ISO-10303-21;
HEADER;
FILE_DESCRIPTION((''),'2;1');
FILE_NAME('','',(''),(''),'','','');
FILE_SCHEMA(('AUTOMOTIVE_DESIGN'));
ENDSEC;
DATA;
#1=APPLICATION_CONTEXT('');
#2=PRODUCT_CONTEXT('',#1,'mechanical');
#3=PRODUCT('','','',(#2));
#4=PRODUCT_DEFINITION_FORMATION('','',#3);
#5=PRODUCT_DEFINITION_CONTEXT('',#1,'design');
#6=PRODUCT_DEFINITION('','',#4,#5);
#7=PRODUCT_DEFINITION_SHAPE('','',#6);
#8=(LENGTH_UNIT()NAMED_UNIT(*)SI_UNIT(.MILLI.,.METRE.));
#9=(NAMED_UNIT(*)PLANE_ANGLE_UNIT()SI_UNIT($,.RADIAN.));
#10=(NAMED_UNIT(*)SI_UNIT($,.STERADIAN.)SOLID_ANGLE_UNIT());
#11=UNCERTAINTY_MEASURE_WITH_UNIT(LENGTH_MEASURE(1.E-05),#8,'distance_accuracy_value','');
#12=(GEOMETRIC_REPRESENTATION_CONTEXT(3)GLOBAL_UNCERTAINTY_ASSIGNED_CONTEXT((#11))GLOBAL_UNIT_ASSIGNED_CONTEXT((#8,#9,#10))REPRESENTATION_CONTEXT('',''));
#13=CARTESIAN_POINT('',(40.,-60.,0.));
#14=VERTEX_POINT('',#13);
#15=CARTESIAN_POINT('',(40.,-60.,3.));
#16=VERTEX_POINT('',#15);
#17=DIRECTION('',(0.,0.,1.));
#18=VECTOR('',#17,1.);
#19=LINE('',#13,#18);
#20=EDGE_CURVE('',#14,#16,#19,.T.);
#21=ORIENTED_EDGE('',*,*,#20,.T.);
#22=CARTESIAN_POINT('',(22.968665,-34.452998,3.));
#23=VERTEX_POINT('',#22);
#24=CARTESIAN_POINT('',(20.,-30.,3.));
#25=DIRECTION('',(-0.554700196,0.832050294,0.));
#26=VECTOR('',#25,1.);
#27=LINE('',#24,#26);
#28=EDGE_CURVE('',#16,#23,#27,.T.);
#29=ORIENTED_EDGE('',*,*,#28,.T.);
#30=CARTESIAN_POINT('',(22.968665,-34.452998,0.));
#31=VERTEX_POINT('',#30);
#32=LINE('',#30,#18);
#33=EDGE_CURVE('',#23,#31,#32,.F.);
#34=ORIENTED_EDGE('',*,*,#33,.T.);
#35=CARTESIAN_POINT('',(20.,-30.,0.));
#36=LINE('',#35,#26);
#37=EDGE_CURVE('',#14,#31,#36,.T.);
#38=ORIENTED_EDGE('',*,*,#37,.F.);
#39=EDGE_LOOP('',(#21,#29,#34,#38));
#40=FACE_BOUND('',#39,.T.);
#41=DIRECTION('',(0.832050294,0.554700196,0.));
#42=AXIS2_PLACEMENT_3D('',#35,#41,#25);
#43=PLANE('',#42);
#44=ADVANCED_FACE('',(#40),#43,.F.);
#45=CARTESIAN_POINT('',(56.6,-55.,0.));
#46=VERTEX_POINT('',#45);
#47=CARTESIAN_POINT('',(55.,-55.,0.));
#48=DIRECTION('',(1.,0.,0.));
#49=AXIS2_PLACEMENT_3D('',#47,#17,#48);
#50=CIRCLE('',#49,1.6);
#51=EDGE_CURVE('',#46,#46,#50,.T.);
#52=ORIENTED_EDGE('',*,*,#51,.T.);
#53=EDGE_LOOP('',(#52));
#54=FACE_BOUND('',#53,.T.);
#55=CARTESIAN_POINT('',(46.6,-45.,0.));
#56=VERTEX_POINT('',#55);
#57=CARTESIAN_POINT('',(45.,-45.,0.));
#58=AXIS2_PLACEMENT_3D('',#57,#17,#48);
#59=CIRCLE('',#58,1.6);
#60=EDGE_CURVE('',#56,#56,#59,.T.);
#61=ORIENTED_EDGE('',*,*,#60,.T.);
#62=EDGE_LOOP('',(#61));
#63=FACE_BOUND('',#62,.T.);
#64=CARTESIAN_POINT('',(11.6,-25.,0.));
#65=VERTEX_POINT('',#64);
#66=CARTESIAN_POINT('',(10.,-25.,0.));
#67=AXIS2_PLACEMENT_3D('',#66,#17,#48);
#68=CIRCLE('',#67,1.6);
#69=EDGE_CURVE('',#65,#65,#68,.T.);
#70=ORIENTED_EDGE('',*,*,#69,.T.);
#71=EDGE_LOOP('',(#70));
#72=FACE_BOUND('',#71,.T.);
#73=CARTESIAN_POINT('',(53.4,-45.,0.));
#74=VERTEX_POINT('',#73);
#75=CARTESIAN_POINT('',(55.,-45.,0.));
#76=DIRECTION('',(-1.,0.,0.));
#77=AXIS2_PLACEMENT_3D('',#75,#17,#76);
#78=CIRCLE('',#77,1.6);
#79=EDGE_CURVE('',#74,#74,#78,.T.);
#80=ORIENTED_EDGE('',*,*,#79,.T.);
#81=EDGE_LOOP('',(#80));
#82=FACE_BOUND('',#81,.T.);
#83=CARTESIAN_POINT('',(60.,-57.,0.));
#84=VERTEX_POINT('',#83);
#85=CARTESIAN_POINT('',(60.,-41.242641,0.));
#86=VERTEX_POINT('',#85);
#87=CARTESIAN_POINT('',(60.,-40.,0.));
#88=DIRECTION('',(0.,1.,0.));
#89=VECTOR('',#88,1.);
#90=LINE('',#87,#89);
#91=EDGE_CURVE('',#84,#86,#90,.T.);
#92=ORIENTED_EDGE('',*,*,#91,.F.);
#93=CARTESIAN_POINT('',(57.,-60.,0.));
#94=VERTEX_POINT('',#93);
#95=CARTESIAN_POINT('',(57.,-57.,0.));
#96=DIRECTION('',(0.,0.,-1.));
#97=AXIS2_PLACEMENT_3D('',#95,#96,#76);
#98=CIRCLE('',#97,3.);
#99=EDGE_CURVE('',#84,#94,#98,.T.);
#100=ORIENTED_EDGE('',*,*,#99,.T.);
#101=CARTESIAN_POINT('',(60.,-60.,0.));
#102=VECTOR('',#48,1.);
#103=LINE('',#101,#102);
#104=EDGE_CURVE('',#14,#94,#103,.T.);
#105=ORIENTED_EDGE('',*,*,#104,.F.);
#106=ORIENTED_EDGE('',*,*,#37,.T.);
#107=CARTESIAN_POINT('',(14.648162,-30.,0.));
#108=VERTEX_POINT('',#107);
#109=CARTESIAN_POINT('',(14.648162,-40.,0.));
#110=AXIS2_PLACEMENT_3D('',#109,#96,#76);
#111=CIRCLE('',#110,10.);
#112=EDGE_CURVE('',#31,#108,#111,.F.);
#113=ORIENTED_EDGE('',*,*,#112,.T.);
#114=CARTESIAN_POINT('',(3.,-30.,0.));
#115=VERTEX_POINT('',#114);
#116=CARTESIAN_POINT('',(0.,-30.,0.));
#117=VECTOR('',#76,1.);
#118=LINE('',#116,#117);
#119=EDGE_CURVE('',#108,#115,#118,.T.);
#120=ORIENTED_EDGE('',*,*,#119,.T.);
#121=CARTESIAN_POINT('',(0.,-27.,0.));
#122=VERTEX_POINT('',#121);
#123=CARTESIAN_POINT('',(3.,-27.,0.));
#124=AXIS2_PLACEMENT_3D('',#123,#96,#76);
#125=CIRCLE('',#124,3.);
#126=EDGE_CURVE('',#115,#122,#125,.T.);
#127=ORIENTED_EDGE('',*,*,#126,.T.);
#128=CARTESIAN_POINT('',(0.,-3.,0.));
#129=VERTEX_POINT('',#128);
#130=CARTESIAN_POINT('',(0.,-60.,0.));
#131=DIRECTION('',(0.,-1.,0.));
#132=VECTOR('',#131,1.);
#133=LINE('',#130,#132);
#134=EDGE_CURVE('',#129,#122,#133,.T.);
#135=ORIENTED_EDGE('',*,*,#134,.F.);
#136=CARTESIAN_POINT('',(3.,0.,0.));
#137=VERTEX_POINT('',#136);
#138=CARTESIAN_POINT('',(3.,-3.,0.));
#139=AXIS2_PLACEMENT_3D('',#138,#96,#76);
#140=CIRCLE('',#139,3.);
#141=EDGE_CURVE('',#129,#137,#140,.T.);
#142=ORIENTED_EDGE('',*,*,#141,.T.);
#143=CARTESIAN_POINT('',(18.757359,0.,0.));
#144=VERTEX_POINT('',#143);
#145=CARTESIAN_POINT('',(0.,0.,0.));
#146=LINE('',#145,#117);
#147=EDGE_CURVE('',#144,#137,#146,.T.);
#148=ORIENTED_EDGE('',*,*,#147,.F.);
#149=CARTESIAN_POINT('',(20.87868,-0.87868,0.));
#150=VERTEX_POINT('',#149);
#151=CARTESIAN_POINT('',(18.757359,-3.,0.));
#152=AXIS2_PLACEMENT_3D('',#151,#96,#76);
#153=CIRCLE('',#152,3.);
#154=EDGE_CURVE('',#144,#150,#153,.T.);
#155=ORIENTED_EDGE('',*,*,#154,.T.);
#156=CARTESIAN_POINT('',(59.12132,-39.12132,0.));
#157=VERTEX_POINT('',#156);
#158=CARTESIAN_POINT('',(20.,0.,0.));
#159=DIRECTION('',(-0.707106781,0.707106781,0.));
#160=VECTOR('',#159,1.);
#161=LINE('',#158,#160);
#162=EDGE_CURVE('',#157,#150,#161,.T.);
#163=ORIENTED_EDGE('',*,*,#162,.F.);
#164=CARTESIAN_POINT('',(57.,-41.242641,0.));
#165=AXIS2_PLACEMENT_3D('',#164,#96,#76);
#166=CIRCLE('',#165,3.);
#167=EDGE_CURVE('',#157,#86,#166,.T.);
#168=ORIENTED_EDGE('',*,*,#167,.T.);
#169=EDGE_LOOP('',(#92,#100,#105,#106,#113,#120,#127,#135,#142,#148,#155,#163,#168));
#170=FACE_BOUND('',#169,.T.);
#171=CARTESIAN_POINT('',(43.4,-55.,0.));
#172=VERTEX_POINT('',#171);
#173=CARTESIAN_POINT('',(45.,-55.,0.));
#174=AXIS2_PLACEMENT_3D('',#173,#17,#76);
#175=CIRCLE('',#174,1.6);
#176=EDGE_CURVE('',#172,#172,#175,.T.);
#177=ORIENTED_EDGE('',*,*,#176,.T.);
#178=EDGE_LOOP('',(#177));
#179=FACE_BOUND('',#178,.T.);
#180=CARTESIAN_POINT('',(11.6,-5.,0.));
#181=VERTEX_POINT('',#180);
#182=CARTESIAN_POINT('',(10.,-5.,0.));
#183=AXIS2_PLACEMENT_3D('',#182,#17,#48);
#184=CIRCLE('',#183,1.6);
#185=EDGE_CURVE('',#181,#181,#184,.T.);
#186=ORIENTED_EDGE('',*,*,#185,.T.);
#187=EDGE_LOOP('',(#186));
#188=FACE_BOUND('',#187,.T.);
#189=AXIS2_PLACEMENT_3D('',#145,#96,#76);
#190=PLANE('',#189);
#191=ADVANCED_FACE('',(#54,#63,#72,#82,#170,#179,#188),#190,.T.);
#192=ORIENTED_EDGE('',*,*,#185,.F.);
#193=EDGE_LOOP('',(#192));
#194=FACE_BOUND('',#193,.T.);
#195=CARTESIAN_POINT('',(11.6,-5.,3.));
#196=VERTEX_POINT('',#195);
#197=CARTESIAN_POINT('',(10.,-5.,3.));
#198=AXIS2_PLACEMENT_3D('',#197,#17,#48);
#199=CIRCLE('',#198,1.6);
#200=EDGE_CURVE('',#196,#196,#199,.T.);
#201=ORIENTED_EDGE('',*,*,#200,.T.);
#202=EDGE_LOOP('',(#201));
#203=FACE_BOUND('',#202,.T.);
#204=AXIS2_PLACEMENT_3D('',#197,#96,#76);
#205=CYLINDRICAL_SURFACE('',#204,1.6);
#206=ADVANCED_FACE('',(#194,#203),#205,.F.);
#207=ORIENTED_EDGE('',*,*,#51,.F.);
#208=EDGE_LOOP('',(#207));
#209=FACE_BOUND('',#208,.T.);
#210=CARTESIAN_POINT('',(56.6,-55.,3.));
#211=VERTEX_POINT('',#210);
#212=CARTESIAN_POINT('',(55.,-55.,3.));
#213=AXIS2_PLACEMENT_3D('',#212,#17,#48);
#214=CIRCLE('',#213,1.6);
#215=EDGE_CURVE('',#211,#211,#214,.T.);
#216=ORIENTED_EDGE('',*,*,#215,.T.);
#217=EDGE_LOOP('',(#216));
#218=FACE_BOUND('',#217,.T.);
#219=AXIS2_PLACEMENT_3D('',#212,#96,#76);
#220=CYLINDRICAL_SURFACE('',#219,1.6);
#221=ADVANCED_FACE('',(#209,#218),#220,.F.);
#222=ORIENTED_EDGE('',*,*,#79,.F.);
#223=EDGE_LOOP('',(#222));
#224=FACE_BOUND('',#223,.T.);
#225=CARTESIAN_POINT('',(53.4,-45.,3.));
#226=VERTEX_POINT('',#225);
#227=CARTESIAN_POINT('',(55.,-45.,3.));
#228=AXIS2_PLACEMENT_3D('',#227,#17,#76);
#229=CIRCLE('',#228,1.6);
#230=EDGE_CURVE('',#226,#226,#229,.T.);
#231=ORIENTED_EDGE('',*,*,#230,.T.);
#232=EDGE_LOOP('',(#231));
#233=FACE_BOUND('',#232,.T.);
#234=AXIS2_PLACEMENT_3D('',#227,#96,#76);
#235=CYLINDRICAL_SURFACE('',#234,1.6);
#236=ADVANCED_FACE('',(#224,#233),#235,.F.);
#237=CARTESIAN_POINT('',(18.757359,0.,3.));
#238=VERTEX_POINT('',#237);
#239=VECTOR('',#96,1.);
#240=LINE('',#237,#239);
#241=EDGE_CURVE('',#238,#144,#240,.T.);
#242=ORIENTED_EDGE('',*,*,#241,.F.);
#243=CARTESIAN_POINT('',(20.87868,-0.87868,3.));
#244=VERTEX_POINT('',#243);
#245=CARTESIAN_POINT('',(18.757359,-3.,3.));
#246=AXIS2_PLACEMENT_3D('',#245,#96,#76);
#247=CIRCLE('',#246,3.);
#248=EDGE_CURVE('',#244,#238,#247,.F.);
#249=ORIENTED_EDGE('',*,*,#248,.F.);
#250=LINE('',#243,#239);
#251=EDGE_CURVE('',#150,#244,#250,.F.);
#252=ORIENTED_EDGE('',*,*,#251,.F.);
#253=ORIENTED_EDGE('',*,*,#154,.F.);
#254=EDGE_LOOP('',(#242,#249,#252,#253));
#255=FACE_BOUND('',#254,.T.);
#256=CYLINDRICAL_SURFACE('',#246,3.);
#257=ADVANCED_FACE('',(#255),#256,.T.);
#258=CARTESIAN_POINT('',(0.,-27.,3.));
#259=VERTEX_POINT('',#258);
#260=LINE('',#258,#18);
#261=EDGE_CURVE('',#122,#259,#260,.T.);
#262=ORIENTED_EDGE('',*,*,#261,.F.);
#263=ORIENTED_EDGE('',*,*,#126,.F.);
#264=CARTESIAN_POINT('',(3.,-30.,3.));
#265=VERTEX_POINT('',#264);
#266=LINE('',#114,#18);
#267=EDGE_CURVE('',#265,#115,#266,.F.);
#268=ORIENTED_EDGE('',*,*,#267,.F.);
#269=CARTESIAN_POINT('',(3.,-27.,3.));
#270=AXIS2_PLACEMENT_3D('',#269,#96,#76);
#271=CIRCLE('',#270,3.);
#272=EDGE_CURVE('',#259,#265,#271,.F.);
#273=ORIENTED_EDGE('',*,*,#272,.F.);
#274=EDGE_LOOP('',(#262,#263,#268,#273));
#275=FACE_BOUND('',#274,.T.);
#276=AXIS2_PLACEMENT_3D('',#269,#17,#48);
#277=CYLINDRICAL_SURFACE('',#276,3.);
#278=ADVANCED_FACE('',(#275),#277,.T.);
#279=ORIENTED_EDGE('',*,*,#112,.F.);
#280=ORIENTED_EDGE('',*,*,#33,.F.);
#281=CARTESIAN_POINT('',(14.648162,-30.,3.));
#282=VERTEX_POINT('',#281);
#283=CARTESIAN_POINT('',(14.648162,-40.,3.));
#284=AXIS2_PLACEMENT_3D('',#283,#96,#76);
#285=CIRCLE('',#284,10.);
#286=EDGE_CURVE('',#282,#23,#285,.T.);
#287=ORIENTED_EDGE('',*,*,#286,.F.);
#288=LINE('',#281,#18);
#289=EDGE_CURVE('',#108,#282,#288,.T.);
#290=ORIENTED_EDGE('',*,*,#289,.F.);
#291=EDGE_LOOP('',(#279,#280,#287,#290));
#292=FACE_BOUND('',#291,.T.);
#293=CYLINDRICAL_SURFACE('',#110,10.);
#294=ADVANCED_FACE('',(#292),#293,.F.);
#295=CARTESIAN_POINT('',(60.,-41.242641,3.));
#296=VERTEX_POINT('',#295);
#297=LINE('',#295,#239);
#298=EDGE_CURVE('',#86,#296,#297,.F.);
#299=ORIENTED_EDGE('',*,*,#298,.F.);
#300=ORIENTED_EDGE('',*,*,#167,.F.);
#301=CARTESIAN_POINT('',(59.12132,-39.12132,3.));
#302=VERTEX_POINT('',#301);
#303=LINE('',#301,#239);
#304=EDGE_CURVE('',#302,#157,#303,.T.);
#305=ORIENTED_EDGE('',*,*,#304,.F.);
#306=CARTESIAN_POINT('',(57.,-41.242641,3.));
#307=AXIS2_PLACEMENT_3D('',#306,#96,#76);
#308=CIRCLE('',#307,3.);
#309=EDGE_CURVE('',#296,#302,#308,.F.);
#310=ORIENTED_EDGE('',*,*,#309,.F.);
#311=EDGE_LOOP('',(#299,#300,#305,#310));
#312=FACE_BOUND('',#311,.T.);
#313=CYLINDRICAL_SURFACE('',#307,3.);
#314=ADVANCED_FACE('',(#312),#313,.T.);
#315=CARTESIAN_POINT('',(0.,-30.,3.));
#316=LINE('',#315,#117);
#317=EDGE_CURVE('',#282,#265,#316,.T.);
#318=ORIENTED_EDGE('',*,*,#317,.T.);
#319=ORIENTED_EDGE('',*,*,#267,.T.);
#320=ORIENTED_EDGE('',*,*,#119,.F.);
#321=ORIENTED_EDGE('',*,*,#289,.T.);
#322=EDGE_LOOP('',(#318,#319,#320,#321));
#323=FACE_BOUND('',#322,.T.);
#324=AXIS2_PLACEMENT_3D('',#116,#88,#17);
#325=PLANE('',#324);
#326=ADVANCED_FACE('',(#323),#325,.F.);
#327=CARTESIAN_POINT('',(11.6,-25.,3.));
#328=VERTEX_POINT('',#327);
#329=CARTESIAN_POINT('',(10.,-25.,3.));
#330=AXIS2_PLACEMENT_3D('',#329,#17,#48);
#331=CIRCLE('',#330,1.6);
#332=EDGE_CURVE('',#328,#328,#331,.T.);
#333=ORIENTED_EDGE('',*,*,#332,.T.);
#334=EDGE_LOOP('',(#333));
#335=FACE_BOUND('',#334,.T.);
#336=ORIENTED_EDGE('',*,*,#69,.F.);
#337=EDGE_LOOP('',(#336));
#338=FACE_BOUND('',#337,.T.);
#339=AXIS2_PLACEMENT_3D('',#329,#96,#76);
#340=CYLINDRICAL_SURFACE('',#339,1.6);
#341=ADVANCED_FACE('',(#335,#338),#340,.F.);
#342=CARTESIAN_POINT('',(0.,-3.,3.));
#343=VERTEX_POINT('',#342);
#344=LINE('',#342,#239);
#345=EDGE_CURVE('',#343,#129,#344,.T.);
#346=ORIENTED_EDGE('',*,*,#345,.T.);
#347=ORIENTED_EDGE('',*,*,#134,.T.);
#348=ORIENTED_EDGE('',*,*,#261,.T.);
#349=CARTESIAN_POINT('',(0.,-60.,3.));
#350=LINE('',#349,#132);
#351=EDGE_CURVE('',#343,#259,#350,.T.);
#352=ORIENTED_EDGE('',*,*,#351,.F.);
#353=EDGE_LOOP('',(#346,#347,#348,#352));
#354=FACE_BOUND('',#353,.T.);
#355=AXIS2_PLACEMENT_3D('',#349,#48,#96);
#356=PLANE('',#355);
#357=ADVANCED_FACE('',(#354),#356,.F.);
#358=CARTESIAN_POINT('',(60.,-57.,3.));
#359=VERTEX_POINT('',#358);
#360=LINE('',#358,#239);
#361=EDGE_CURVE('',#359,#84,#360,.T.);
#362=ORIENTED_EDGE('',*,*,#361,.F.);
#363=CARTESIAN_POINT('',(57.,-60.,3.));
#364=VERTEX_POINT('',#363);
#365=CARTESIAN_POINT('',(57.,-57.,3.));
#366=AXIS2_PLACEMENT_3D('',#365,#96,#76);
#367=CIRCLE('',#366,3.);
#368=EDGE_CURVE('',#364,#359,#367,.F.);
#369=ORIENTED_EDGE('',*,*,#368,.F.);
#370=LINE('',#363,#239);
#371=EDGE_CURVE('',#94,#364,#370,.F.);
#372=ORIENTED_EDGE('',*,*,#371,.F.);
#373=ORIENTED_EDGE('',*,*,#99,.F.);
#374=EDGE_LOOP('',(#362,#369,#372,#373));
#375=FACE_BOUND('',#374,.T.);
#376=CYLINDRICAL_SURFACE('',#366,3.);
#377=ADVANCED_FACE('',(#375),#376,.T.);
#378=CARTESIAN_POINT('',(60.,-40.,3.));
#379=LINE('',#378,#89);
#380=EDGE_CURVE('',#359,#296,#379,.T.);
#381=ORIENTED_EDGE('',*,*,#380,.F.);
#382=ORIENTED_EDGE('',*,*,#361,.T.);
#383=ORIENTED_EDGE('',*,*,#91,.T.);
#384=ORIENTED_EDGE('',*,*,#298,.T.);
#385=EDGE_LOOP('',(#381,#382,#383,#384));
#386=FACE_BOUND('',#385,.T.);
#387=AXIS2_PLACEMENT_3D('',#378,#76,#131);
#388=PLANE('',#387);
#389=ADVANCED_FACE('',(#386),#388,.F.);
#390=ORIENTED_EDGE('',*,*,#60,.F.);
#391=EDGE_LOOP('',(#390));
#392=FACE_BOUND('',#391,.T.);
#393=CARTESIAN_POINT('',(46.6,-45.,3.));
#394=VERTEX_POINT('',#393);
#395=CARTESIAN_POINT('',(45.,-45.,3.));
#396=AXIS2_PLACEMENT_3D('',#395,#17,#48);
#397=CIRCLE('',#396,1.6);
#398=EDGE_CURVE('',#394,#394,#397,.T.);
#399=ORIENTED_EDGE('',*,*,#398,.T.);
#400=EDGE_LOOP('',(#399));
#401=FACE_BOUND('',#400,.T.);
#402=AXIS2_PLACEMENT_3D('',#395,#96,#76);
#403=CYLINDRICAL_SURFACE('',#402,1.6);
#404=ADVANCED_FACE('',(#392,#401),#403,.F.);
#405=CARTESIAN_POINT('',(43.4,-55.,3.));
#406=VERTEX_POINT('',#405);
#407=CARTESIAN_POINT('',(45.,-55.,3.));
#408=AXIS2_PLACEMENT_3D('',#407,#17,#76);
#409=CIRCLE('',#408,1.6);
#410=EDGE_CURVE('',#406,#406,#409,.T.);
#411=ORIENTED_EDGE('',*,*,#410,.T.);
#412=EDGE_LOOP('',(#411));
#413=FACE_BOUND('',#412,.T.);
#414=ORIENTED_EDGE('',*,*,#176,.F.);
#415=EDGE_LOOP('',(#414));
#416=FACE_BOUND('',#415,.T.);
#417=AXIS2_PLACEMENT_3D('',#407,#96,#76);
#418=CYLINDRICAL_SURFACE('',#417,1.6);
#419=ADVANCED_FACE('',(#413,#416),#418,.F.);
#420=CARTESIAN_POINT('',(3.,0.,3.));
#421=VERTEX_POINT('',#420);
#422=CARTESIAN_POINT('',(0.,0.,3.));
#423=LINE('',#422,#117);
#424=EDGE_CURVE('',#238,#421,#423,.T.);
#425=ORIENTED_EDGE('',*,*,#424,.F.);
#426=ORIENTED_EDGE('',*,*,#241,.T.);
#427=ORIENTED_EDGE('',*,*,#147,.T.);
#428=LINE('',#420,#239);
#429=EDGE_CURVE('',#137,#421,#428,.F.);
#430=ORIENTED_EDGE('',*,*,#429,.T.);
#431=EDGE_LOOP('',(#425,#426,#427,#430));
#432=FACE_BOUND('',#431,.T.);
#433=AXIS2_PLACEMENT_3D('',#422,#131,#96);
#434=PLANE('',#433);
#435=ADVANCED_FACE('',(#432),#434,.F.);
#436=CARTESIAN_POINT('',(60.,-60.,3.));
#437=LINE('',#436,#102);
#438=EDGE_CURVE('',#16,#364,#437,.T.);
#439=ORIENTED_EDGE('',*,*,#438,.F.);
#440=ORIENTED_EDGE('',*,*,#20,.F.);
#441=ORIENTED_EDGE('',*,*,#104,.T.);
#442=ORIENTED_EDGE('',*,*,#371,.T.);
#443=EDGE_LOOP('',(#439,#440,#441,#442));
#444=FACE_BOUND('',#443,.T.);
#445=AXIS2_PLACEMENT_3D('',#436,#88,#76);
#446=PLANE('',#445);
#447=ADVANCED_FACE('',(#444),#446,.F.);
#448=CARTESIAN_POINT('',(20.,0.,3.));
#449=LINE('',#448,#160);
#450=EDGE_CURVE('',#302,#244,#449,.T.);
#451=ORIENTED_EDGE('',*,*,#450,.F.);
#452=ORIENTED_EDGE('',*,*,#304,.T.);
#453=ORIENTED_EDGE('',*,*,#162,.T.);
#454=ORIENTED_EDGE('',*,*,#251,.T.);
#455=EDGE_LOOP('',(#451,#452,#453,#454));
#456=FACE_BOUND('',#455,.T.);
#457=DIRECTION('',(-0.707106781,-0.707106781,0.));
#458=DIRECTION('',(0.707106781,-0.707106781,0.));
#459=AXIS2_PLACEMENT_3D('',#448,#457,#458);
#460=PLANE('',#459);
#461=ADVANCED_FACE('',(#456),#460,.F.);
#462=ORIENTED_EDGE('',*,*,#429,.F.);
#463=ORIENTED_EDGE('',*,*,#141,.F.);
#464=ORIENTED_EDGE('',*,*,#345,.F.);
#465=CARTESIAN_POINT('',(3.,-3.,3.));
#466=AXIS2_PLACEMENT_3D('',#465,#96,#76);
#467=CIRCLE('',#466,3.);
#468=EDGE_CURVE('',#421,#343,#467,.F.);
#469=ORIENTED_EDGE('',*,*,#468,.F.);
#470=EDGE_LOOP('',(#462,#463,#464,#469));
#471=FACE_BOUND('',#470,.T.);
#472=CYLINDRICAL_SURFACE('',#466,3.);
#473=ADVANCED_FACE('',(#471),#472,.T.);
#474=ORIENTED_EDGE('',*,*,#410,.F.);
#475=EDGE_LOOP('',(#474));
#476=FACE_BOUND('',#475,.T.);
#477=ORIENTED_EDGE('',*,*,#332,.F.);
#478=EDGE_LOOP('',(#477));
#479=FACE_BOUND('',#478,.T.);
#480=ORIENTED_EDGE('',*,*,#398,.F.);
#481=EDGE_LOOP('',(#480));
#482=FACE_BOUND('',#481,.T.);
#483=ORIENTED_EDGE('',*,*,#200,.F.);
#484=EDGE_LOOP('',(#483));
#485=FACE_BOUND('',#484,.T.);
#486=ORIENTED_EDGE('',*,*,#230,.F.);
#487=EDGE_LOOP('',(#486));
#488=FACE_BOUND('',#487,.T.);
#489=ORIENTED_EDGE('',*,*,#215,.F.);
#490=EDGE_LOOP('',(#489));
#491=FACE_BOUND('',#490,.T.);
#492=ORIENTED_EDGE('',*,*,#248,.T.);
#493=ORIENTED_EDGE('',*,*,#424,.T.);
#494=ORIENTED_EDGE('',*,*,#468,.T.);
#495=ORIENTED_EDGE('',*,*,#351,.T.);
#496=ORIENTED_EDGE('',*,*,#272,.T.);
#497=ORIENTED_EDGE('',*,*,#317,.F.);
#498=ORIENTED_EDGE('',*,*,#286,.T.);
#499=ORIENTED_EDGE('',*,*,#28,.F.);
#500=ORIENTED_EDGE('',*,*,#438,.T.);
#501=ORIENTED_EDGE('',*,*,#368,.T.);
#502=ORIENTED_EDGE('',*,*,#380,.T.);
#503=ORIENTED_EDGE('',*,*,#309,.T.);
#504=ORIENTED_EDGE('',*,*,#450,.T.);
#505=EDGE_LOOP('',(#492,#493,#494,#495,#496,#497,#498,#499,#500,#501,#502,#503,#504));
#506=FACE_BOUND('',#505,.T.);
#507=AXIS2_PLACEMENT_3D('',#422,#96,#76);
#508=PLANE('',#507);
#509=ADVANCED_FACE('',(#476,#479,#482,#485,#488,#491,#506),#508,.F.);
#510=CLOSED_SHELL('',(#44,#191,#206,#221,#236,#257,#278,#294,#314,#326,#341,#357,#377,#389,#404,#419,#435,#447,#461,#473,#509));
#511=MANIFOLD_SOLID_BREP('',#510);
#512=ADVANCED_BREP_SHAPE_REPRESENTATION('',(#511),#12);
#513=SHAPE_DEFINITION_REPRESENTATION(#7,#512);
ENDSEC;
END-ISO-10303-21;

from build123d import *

# Parameters (mm, degrees)
SKETCH_1_R          = 1.6
EXTRUDE_1_DEPTH     = 3
CUT_EXTRUDE_1_DEPTH = 85.905830189
FILLET_1_R          = 3
FILLET_2_R          = 10


with BuildPart() as part:
    # 草图1 → 凸台-拉伸1 (new body)
    with BuildSketch(Plane.XY):
        Polygon((0, 0), (20, 0), (60, -40), (60, -60), (0, -60), align=None)
        with Locations((10, -5)):
            Circle(SKETCH_1_R, mode=Mode.SUBTRACT)
        with Locations((10, -25)):
            Circle(SKETCH_1_R, mode=Mode.SUBTRACT)
        with Locations((55, -55)):
            Circle(SKETCH_1_R, mode=Mode.SUBTRACT)
        with Locations(Location((55, -45, 0), (0, 0, 180))):
            Circle(SKETCH_1_R, mode=Mode.SUBTRACT)
        with Locations(Location((45, -55, 0), (0, 0, 180))):
            Circle(SKETCH_1_R, mode=Mode.SUBTRACT)
        with Locations((45, -45)):
            Circle(SKETCH_1_R, mode=Mode.SUBTRACT)
    extrude(amount=EXTRUDE_1_DEPTH)

    # 草图2 → 切除-拉伸1 (cut, through all)
    with BuildSketch(Plane.XY.offset(3)):
        Polygon((40, -60), (0, -60), (0, -30), (20, -30), align=None)
    extrude(amount=-CUT_EXTRUDE_1_DEPTH, mode=Mode.SUBTRACT)

    # 圆角1
    fillet_1_edges = [part.edges().sort_by_distance(p)[0] for p in [
        (0, -30, 1.5),
        (0, 0, 1.5),
        (20, 0, 1.5),
        (60, -40, 1.5),
        (60, -60, 1.5),
    ]]
    fillet(fillet_1_edges, radius=FILLET_1_R)

    # 圆角2
    fillet_2_edges = [part.edges().sort_by_distance(p)[0] for p in [
        (20, -30, 1.5),
    ]]
    fillet(fillet_2_edges, radius=FILLET_2_R)


solid = part.part
